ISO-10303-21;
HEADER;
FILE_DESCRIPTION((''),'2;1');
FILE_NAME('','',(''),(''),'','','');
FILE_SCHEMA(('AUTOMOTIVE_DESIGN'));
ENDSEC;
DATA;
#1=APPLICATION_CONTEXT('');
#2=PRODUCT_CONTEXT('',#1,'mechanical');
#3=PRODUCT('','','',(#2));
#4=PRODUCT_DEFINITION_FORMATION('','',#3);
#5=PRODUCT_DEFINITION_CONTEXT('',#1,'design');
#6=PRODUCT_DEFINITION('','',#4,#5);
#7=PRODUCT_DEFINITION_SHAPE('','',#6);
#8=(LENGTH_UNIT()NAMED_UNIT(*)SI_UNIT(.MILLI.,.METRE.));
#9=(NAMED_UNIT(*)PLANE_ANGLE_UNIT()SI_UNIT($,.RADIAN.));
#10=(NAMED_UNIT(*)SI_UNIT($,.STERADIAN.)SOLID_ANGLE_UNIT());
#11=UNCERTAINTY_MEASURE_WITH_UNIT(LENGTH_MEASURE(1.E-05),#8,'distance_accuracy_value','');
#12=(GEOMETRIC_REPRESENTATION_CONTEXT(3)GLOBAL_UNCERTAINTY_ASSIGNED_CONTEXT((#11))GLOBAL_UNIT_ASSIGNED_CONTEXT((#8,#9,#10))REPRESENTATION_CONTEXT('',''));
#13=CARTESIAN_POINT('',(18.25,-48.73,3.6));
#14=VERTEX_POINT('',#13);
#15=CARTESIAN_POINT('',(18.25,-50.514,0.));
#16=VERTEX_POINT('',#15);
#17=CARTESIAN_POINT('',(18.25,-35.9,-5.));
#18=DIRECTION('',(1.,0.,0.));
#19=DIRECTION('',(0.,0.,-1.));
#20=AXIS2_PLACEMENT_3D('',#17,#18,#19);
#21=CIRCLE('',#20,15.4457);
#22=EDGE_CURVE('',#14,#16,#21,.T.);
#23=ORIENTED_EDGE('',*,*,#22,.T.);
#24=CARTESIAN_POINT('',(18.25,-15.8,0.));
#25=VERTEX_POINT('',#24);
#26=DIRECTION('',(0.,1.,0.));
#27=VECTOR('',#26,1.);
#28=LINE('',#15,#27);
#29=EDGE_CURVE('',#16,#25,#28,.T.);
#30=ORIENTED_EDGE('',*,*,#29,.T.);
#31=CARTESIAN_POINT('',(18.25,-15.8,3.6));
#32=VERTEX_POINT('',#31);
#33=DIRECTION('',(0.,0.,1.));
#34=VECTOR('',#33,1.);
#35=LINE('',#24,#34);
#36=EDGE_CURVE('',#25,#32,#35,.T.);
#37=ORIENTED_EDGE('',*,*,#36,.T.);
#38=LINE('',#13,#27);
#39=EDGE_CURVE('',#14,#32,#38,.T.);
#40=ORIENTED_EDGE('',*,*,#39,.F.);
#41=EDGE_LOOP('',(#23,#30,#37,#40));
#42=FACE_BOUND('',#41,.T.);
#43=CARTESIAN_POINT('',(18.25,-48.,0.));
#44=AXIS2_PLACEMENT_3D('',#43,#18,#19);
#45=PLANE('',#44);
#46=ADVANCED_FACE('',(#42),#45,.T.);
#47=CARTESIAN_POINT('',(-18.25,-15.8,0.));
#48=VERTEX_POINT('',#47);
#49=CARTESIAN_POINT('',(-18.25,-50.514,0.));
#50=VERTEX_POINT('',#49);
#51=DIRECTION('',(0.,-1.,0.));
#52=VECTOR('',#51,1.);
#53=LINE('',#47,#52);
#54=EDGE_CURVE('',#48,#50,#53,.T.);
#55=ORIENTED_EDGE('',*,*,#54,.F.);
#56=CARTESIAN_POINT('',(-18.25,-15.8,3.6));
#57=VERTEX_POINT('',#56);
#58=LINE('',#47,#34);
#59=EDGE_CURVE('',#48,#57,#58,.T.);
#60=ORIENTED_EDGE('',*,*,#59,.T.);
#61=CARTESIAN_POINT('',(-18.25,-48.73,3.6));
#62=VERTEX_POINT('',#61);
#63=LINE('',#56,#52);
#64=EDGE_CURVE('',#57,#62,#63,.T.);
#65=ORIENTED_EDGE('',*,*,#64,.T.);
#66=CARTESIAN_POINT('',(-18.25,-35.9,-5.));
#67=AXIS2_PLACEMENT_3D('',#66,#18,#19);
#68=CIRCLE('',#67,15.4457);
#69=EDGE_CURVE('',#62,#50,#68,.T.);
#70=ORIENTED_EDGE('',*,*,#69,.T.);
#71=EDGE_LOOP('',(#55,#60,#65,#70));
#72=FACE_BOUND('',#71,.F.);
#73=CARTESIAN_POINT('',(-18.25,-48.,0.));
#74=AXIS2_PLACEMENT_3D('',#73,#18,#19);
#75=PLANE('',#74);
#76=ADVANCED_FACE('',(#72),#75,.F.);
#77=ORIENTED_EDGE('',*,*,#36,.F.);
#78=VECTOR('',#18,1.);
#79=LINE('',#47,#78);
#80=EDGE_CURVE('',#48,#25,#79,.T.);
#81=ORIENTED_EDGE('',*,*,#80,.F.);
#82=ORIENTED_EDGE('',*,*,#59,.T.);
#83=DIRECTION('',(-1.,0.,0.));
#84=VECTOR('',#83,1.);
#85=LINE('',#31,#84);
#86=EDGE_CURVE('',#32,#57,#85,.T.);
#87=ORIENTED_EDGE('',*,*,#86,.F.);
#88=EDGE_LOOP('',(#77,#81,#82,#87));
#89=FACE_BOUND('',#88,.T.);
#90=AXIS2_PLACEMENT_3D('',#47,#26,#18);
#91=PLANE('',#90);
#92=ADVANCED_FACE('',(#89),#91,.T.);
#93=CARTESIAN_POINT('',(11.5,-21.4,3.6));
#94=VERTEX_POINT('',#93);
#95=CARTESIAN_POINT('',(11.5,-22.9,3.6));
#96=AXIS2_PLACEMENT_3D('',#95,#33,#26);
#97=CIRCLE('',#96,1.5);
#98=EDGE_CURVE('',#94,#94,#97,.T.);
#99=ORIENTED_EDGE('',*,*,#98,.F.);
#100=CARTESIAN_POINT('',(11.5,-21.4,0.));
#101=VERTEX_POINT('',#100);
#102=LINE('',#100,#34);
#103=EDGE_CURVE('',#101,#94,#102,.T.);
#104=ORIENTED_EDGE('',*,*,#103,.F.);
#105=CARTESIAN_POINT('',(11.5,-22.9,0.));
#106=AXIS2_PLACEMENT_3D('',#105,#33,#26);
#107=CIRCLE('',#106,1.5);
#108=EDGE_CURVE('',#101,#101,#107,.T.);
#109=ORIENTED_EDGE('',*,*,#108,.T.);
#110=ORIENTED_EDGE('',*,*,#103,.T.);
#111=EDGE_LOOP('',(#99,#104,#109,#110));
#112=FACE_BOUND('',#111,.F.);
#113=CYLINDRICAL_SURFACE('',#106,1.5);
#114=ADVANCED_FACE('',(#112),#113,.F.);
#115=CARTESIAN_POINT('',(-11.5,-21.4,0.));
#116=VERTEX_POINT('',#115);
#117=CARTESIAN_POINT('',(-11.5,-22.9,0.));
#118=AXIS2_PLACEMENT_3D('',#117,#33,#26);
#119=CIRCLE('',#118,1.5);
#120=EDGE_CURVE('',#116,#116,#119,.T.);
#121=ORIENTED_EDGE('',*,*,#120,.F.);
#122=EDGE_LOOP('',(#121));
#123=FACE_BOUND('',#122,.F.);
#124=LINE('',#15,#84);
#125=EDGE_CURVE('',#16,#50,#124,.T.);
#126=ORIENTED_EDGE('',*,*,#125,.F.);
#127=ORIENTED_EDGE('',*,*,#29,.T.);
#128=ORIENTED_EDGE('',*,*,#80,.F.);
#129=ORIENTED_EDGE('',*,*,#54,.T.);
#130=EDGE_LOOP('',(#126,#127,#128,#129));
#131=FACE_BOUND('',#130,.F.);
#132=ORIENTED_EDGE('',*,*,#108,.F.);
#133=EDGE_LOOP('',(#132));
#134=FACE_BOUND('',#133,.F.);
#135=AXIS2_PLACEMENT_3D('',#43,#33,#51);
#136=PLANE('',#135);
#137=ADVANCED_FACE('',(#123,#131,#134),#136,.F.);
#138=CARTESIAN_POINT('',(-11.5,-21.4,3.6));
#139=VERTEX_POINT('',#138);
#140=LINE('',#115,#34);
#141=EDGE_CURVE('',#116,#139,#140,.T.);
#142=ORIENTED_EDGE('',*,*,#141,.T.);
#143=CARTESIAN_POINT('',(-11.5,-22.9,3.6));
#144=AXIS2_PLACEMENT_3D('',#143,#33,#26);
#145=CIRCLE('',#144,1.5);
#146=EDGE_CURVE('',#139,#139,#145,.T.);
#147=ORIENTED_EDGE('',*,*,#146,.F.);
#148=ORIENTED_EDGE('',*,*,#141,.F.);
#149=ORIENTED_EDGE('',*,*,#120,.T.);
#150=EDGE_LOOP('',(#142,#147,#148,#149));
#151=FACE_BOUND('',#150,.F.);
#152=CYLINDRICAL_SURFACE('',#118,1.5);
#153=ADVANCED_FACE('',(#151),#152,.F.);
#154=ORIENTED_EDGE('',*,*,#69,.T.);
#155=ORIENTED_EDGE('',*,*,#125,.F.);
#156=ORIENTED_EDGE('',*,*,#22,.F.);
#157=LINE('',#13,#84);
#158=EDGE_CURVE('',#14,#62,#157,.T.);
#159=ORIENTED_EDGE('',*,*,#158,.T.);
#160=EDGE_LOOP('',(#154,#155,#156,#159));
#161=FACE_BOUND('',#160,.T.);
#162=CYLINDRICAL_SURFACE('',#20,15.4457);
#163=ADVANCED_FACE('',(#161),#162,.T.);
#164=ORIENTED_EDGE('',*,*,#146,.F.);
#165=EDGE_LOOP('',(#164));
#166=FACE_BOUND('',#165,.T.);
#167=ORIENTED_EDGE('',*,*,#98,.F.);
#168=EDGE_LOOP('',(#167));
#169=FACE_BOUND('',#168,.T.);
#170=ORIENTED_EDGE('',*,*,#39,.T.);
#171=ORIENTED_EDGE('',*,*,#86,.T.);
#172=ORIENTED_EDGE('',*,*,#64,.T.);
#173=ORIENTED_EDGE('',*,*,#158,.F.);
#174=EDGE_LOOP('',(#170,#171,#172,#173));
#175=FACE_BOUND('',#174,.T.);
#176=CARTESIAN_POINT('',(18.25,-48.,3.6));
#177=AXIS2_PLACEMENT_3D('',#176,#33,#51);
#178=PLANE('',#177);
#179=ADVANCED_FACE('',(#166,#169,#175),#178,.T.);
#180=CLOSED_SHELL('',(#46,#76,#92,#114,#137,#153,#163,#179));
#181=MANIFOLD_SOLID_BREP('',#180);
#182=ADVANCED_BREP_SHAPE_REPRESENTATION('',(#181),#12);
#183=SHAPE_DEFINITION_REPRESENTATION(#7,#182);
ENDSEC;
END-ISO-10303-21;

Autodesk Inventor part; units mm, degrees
ref_plane "YZ Plane" through (0, 0, 0) normal (1, 0, 0) x (0, 1, 0)
ref_plane "XZ Plane" through (0, 0, 0) normal (0, 1, 0) x (-1, 0, 0)
ref_plane "XY Plane" through (0, 0, 0) normal (0, 0, 1) x (1, 0, 0)
sketch "Sketch1" plane through (0, 0, 0) normal (0, 0, 1) x (1, 0, 0)
  line L0 (-50, 48) -> (-50, -15.8) projected
  line L1 (-50, -15.8) -> (-18.25, -15.8) projected
  line L2 (-18.25, -15.8) -> (-18.25, -48) projected
  line L3 (-18.25, -48) -> (18.25, -48) projected
  line L4 (18.25, -48) -> (18.25, -15.8) projected
  line L5 (18.25, -15.8) -> (50, -15.8) projected
  line L6 (50, -15.8) -> (50, 48) projected
  line L7 (50, 48) -> (-50, 48) projected
  line L8 (18.25, -48) -> (-18.25, -48)
  line L9 (-18.25, -48) -> (-18.25, -15.8)
  line L10 (-18.25, -15.8) -> (18.25, -15.8)
  line L11 (18.25, -15.8) -> (18.25, -48)
  point P0 (0, 0)
extrude "Extrusion1" add sketch "Sketch1" along normal blind 4.6 contours L10 L4 L3 L2
sketch "Sketch2" plane through (0, 0, 4.6) normal (0, 0, 1) x (1, 0, 0)
  line L0 (-18.25, -15.8) -> (-18.25, -48) projected
  line L1 (-18.25, -48) -> (18.25, -48) projected
  line L2 (18.25, -48) -> (18.25, -15.8) projected
  line L3 (18.25, -15.8) -> (-18.25, -15.8) projected
  point P0 (0, 0)
extrude "Extrusion2" cut sketch "Sketch2" against normal blind 1
sketch "Sketch3" plane through (0, 0, 0) normal (0, 0, -1) x (-1, 0, 0)
  line L0 (4.9, -29.9) -> (18.1, -29.9)
  line L1 (4.9, -41.9) -> (18.1, -41.9)
  line L2 (-4.9, -41.9) -> (-18.1, -41.9)
  line L3 (-4.9, -29.9) -> (-18.1, -29.9)
  line L4 (11.5, -29.9) -> (11.5, -22.9)
  line L5 (-11.5, -29.9) -> (-11.5, -22.9)
  line L6 (18.25, -15.8) -> (18.25, -48) projected
  line L7 (-18.25, -15.8) -> (18.25, -15.8) projected
  line L8 (-18.25, -48) -> (-18.25, -15.8) projected
  line L9 (18.25, -48) -> (-18.25, -48) projected
  line L10 (-18.25, -15.8) -> (18.25, -15.8) projected
  line L11 (0, -15.8) -> (0, -48)
  line L12 (18.25, -48) -> (-18.25, -48) projected
  line L13 (0, -48) -> (0, -43.5)
  point P0 (0, 0)
  dimension "d4" = 7
  dimension "d5" = 4.5
hole "Hole1" at (-11.5, -22.9, 0) at (11.5, -22.9, 0) direction (0, 0, 1) diameter 3 end through all
sketch "Sketch4" plane through (18.25, -48, 0) normal (1, 0, 0) x (0, 0, -1)
  arc A0 (-8.6, 4.7781) -> (-3.6, -0.73) centre (5, 12.1) ccw projected
  circle A1 centre (5, 12.1) radius 15.4457
  line L0 (-3.6, 32.2) -> (-3.6, 0) projected
  line L1 (0, 0) -> (-3.6, 0) projected
  line L2 (0, 0) -> (0, 32.2) projected
  line L3 (0, 32.2) -> (-3.6, 32.2) projected
  line L4 (0, 0) -> (0, -2.514)
  line L5 (-3.6, 0) -> (-3.6, -1.081)
  point P0 (0, 48)
  point P1 (-3.6, -0.73)
extrude "Extrusion3" add sketch "Sketch4" against normal up to surface (36.5 mm away) contours L5 L1 L4 A1
properties part number "podpora silników" material "Lead"
